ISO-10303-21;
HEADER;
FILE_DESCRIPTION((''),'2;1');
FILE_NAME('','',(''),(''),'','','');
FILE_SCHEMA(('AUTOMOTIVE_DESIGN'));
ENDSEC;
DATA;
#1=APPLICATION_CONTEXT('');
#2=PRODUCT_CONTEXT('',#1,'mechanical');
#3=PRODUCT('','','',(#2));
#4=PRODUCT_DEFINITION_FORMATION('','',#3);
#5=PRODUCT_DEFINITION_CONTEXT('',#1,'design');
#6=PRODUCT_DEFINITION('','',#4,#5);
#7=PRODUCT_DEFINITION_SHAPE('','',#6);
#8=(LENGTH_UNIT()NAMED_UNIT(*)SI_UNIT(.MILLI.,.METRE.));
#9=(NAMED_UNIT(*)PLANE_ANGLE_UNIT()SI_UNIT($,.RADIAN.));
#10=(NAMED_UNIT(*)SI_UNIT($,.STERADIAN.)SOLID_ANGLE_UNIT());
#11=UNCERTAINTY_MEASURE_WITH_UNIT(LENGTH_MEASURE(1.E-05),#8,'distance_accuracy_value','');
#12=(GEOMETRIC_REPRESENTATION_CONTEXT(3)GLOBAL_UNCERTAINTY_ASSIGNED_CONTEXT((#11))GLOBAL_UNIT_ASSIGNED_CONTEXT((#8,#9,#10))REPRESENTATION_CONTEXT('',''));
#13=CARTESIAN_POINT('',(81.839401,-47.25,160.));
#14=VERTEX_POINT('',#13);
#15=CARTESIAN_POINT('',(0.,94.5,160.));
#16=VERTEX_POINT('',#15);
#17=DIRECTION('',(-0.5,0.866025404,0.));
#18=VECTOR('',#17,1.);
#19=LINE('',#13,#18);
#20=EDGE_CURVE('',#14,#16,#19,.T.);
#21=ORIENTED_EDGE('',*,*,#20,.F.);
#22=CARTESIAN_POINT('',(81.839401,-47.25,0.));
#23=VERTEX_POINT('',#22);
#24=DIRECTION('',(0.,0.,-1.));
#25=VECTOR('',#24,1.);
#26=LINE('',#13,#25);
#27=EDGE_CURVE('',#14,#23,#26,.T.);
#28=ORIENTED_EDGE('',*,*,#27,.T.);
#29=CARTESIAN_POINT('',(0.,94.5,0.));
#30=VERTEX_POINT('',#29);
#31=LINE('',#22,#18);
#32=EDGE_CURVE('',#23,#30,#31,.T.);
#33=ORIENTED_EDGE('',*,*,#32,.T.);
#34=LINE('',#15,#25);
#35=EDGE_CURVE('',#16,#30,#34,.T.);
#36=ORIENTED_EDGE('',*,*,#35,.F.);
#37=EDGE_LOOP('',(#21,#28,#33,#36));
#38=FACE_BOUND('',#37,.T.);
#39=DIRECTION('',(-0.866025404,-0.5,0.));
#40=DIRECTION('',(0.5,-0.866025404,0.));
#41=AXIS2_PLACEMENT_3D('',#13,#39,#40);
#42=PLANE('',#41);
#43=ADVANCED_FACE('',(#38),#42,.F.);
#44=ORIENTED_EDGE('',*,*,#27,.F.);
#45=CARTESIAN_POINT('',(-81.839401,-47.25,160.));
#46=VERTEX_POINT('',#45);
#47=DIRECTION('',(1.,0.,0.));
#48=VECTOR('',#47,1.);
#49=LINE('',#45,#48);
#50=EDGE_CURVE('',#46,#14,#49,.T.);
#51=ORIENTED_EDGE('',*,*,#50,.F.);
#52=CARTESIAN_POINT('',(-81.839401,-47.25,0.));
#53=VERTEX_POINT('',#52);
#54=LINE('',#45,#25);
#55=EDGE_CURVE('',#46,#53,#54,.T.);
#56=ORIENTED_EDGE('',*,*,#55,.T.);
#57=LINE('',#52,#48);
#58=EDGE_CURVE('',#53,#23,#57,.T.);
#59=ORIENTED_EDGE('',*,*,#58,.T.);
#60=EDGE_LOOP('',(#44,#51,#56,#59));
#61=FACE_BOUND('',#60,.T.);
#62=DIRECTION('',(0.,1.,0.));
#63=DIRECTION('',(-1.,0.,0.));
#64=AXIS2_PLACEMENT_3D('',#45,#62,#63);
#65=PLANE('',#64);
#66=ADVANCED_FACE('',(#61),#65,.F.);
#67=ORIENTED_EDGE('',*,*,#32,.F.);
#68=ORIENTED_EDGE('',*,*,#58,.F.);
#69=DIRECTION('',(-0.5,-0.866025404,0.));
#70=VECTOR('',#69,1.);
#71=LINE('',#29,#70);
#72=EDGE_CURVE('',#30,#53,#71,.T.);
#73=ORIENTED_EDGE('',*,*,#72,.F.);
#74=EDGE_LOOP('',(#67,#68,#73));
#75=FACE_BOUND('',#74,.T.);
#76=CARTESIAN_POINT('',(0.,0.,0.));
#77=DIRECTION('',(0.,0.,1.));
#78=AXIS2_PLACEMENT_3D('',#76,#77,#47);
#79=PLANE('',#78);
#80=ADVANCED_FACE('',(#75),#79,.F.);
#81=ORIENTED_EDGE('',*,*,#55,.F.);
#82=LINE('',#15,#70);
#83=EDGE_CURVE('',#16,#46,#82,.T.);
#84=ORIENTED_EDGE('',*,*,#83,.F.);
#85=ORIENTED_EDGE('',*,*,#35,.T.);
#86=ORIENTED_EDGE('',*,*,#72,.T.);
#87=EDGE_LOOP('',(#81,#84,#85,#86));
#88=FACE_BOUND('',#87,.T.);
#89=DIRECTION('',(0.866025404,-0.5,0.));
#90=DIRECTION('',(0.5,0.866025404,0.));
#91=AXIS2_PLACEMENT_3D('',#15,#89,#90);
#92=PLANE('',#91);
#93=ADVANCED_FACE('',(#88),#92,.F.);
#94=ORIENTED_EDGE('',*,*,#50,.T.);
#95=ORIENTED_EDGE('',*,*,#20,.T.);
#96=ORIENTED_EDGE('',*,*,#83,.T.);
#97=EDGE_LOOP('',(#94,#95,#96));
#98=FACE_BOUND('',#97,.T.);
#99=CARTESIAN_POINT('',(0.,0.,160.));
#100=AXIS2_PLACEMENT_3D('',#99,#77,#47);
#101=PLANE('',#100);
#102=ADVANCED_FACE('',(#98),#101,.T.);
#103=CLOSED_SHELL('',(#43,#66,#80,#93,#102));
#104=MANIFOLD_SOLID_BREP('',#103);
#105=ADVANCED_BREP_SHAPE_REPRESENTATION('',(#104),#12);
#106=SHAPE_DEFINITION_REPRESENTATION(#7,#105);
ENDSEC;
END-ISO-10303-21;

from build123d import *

# Parameters (mm, degrees)
ESTRUSIONE_ESTRUSIONE1_DEPTH = 160


with BuildPart() as part:
    # Schizzo1 → Estrusione-Estrusione1 (new body)
    with BuildSketch(Plane.XY):
        Polygon((0, 94.5), (-81.839400658, -47.25), (81.839400658, -47.25), align=None)
    extrude(amount=ESTRUSIONE_ESTRUSIONE1_DEPTH)


solid = part.part
